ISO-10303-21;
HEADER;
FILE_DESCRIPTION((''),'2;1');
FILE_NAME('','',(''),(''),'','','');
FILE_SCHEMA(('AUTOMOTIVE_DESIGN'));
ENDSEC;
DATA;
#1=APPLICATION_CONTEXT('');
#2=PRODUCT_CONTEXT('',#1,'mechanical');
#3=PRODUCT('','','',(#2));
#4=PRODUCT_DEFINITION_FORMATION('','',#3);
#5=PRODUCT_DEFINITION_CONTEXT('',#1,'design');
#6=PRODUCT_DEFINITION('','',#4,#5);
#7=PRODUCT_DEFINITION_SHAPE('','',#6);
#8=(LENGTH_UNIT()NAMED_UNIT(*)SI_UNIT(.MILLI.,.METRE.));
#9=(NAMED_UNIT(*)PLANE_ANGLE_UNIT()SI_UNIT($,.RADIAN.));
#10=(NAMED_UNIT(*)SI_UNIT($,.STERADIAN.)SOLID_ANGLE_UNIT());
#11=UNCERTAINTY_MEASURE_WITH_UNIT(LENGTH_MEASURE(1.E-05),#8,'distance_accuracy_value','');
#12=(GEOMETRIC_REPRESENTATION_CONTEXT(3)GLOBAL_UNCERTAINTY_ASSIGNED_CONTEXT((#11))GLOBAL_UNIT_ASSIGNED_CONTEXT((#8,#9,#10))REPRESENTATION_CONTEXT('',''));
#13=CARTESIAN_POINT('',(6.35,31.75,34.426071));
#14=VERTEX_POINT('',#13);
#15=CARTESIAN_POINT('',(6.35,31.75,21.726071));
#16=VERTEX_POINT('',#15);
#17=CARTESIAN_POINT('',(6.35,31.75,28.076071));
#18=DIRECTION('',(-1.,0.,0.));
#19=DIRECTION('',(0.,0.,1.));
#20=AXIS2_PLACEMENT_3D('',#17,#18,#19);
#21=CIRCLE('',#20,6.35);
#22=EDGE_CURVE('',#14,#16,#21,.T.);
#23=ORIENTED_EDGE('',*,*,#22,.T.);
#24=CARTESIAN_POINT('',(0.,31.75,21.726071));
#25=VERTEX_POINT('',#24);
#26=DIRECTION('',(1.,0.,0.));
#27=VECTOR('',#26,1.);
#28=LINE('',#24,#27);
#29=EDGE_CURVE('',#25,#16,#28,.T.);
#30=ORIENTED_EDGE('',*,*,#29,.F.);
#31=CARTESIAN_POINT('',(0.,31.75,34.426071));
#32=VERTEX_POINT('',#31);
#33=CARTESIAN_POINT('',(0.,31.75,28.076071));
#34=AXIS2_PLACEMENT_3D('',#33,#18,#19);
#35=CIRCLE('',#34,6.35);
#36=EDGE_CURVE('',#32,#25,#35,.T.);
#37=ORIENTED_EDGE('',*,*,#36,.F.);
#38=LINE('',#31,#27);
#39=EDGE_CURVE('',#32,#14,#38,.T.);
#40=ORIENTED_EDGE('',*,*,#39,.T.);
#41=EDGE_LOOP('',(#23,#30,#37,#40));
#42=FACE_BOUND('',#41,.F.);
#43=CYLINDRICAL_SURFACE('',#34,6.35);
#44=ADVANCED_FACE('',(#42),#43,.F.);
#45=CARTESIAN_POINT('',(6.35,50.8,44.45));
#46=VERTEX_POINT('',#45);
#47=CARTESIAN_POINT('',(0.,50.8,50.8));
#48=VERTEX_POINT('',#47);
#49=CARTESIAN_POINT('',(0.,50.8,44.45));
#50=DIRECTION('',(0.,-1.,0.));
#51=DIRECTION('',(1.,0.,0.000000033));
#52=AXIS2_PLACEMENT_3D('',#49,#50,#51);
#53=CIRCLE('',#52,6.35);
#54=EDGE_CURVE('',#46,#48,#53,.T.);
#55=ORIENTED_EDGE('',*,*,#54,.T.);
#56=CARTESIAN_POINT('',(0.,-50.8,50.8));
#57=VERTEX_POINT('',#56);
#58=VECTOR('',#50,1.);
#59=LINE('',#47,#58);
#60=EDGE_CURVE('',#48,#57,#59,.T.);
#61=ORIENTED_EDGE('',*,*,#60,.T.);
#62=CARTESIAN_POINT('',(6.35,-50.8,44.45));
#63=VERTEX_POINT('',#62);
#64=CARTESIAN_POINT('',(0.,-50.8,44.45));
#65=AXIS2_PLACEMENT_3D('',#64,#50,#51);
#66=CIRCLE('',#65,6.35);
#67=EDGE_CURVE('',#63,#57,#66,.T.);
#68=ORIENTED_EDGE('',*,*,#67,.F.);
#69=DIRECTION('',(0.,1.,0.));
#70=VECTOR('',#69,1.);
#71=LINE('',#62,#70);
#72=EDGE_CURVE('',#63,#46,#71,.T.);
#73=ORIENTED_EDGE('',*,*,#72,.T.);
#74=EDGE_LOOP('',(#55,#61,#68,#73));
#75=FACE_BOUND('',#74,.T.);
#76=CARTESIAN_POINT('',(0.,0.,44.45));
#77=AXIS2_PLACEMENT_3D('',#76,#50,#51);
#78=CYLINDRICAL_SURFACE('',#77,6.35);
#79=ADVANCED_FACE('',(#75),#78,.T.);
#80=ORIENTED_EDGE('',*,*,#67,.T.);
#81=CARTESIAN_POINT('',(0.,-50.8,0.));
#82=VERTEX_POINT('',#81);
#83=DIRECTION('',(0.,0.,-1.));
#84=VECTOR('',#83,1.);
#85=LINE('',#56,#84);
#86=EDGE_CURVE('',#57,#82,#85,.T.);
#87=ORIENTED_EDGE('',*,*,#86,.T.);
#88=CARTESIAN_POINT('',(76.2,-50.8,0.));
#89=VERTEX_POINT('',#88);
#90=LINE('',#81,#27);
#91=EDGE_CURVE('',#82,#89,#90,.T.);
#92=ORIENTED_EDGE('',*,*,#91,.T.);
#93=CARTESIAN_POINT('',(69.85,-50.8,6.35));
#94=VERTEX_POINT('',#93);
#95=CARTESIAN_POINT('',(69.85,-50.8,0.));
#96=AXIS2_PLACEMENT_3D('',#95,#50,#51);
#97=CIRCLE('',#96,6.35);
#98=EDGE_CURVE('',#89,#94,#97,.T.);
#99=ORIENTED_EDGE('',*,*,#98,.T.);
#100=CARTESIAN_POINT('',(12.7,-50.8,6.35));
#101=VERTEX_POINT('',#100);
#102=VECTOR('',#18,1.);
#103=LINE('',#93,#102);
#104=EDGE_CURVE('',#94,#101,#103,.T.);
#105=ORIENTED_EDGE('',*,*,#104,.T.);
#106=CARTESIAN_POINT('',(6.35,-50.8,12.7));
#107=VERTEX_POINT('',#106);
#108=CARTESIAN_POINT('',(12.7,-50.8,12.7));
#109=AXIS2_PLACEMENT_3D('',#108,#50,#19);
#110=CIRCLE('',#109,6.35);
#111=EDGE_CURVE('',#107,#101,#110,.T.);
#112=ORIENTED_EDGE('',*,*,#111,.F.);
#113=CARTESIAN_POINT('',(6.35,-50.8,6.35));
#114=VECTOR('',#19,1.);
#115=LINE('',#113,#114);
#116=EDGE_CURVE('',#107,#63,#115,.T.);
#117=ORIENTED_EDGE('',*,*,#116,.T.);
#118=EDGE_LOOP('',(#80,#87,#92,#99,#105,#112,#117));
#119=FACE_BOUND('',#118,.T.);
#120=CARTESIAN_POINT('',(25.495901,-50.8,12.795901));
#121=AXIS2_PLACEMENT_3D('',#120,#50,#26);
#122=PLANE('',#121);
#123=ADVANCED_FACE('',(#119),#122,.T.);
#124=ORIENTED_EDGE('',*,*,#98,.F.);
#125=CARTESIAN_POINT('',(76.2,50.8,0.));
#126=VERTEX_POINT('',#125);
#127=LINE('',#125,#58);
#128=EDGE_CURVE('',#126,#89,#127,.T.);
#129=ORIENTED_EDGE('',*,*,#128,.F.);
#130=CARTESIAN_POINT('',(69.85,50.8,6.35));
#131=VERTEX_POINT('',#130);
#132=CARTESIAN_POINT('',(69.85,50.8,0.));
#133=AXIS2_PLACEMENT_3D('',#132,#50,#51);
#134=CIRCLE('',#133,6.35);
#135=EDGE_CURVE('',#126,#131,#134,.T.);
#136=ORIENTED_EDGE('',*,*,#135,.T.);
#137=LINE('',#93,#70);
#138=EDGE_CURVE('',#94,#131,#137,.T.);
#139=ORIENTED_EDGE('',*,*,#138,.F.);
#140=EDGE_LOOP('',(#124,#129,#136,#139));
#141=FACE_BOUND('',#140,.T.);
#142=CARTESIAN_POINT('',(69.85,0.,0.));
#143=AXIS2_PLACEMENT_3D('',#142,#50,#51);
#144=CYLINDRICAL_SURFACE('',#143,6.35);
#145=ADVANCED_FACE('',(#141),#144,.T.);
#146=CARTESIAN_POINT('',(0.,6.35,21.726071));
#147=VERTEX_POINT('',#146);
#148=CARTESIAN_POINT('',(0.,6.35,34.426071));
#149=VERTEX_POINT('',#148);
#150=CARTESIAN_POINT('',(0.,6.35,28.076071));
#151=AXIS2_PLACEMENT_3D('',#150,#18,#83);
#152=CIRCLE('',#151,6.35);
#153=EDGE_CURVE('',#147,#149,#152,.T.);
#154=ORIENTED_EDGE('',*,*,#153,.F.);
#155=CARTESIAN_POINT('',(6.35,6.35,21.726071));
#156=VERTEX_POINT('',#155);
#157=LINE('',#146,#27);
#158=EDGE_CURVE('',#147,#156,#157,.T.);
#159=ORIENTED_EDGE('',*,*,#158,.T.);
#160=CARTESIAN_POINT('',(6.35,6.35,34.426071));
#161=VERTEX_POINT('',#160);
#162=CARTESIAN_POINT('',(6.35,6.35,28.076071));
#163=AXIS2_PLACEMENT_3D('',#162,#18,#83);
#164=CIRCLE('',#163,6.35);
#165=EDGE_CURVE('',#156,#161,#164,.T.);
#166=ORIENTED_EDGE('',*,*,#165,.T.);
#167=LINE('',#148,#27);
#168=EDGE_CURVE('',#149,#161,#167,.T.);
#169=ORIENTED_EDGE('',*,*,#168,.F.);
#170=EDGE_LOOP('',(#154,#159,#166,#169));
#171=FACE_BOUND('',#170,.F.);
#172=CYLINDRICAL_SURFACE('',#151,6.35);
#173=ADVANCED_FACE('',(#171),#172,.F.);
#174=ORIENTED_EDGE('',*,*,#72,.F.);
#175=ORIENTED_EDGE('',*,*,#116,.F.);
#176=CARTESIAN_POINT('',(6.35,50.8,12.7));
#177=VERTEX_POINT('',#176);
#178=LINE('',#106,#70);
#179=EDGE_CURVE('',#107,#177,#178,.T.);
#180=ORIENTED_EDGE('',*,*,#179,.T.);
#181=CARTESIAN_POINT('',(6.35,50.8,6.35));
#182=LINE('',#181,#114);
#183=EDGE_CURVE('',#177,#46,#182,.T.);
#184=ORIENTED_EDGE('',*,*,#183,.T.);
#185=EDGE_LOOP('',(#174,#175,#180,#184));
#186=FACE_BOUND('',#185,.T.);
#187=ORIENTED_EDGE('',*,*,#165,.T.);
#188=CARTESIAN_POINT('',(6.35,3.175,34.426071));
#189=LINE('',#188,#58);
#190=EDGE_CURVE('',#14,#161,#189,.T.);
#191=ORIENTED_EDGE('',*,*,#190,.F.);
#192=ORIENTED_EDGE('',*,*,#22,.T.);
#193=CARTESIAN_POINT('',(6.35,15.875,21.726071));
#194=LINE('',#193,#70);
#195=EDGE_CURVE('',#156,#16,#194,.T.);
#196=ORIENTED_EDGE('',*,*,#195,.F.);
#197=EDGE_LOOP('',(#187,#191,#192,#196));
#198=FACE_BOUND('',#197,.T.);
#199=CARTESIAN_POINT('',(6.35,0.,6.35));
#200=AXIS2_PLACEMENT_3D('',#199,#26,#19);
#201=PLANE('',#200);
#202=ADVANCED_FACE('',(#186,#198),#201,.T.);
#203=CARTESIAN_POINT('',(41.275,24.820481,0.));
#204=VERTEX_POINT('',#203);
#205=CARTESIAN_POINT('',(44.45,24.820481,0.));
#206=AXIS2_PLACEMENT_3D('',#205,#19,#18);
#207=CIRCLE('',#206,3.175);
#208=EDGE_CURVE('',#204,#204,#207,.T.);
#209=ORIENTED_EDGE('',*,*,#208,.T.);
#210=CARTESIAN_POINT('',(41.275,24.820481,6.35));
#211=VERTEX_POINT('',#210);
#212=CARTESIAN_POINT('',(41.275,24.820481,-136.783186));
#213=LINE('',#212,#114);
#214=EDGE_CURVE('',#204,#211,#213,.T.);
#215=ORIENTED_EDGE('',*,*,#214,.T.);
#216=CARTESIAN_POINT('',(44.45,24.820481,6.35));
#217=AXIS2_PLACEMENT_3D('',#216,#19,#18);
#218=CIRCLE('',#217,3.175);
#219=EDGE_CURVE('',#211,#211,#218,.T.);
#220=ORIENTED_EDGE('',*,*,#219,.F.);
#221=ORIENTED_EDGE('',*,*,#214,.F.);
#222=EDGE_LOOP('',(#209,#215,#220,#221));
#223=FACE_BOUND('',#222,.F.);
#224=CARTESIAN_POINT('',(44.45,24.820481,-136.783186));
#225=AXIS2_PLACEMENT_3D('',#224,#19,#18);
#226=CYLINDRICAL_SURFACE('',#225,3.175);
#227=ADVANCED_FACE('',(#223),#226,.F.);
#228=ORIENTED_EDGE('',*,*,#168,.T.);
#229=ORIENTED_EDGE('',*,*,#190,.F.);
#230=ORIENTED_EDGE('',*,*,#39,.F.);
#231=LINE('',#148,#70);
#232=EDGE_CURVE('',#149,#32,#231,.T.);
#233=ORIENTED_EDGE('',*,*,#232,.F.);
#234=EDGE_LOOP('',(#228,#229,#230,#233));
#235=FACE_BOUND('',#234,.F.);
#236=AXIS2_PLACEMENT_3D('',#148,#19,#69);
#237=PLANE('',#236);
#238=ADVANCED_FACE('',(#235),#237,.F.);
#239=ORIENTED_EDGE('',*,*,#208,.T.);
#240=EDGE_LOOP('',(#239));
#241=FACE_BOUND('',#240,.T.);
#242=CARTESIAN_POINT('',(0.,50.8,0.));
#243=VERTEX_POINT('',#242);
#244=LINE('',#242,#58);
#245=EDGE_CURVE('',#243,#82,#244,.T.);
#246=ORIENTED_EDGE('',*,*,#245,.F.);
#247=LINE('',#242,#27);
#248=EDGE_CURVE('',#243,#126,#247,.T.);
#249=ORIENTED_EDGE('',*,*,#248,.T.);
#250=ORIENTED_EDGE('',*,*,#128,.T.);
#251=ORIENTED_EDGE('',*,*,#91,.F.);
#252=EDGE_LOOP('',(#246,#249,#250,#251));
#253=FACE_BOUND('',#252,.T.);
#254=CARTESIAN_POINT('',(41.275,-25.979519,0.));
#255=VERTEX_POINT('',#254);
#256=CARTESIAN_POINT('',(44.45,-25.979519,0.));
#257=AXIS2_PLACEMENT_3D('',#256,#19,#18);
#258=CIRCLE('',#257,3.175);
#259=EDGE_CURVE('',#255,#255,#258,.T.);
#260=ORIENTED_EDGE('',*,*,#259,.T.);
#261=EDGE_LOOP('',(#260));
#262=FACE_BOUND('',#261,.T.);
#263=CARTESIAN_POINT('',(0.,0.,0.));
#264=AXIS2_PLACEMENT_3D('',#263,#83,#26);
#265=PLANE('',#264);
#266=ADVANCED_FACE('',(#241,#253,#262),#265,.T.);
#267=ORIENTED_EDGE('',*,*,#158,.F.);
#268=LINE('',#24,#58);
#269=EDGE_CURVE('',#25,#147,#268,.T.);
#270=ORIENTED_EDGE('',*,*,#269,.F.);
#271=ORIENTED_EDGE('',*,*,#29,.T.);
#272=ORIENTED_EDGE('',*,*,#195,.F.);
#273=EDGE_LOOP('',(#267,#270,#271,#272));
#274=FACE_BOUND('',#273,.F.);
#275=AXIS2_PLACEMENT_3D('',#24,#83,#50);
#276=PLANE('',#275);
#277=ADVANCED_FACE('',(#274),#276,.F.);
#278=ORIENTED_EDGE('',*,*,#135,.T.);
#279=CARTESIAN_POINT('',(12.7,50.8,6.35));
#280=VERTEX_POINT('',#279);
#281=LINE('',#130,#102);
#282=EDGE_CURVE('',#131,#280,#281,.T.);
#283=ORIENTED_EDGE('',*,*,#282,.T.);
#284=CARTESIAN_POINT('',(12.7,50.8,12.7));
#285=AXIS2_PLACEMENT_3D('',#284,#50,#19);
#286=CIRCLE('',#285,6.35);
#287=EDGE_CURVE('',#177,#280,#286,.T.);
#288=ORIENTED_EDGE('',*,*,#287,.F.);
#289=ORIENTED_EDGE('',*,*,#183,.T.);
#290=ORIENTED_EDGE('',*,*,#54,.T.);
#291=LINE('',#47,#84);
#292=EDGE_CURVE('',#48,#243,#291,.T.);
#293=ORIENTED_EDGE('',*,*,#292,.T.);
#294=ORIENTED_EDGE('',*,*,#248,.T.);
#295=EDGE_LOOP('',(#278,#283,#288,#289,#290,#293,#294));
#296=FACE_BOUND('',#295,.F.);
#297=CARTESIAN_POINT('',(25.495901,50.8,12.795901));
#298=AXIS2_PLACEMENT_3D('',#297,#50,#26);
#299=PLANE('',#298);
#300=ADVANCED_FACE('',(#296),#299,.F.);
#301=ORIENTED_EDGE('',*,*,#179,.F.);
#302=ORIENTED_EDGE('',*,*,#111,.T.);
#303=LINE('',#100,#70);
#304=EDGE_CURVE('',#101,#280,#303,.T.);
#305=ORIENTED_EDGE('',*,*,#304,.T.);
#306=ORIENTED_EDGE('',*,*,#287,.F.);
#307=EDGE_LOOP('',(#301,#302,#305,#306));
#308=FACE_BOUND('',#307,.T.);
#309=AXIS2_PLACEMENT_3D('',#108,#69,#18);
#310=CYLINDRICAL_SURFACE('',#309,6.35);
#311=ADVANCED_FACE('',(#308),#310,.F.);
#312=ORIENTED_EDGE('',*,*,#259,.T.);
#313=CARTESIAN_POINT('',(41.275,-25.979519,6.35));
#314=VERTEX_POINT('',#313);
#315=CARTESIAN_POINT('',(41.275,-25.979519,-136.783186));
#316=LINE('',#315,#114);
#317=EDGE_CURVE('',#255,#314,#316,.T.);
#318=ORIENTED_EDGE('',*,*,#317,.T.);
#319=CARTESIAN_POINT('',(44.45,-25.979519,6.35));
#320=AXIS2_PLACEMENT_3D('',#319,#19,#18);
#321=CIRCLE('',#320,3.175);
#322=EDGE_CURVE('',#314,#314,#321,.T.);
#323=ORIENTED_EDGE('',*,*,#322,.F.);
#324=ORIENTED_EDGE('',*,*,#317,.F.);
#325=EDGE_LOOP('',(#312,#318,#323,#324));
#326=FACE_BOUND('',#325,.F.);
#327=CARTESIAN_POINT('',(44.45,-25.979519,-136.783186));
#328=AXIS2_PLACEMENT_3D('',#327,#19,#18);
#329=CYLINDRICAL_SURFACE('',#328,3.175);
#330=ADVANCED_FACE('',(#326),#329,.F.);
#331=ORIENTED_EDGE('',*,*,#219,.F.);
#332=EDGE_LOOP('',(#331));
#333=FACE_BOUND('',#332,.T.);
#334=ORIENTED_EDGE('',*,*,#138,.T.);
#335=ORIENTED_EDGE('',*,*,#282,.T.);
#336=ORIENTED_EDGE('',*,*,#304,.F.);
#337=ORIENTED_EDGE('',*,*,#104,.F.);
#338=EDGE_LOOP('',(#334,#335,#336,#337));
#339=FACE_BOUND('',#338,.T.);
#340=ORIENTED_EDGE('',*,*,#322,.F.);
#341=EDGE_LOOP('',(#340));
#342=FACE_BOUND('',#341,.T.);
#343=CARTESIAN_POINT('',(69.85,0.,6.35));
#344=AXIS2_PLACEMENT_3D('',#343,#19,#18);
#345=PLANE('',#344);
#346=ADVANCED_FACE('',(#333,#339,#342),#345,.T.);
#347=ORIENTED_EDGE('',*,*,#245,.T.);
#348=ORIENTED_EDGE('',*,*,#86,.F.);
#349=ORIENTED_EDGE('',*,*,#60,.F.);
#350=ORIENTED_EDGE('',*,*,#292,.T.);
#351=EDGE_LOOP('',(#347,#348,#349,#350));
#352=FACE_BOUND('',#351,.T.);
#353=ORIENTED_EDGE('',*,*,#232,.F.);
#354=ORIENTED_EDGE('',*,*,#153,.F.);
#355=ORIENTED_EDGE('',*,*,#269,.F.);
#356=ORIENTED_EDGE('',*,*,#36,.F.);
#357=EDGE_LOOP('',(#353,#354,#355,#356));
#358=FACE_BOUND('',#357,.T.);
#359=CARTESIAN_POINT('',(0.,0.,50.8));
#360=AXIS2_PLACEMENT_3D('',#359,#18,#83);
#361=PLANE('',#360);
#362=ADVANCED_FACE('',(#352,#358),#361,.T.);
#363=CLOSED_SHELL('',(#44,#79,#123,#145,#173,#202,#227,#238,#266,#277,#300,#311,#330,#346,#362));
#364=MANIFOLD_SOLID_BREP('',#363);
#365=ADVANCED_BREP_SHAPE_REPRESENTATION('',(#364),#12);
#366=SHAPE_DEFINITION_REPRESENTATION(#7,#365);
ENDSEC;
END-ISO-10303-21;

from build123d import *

# Parameters (mm, degrees)
F1_DEPTH = 50.8
F2_R     = 6.35
F4_D     = 6.35
F6_DEPTH = 76.201


with BuildPart() as f1:
    # F0 (on Front) → F1 (new body, symmetric)
    with BuildSketch(Plane.XZ):
        with BuildLine():
            ThreePointArc((6.35, 44.45), (4.490128, 48.940128), (0, 50.8))
            Line((0, 50.8), (0, 0))
            Line((0, 0), (76.2, 0))
            ThreePointArc((76.2, 0), (74.340128, 4.490128), (69.85, 6.35))
            Line((69.85, 6.35), (6.35, 6.35))
            Line((6.35, 6.35), (6.35, 44.45))
        make_face()
    extrude(amount=F1_DEPTH, both=True)

    # F2
    f2_edges = [f1.edges().sort_by_distance(p)[0] for p in [
        (6.35, 0, 6.35),
    ]]
    fillet(f2_edges, radius=F2_R)

    # F4 (through all)
    with Locations(Plane(origin=(0, 0, 0), x_dir=(1, 0, 0), z_dir=(0, 0, -1))):
        with Locations((44.45, 25.979519), (44.45, -24.820481)):
            Hole(F4_D / 2)

    # F5 (on face) → F6 (cut, through all)
    with BuildSketch(Plane(origin=(0, 0, 0), x_dir=(0, -1, 0), z_dir=(-1, 0, 0))):
        with BuildLine():
            Line((-6.35, 34.426071), (-31.75, 34.426071))
            ThreePointArc((-31.75, 34.426071), (-38.1, 28.076071), (-31.75, 21.726071))
            Line((-31.75, 21.726071), (-6.35, 21.726071))
            ThreePointArc((-6.35, 21.726071), (0, 28.076071), (-6.35, 34.426071))
        make_face()
    extrude(amount=-F6_DEPTH, mode=Mode.SUBTRACT)


solid = f1.part
